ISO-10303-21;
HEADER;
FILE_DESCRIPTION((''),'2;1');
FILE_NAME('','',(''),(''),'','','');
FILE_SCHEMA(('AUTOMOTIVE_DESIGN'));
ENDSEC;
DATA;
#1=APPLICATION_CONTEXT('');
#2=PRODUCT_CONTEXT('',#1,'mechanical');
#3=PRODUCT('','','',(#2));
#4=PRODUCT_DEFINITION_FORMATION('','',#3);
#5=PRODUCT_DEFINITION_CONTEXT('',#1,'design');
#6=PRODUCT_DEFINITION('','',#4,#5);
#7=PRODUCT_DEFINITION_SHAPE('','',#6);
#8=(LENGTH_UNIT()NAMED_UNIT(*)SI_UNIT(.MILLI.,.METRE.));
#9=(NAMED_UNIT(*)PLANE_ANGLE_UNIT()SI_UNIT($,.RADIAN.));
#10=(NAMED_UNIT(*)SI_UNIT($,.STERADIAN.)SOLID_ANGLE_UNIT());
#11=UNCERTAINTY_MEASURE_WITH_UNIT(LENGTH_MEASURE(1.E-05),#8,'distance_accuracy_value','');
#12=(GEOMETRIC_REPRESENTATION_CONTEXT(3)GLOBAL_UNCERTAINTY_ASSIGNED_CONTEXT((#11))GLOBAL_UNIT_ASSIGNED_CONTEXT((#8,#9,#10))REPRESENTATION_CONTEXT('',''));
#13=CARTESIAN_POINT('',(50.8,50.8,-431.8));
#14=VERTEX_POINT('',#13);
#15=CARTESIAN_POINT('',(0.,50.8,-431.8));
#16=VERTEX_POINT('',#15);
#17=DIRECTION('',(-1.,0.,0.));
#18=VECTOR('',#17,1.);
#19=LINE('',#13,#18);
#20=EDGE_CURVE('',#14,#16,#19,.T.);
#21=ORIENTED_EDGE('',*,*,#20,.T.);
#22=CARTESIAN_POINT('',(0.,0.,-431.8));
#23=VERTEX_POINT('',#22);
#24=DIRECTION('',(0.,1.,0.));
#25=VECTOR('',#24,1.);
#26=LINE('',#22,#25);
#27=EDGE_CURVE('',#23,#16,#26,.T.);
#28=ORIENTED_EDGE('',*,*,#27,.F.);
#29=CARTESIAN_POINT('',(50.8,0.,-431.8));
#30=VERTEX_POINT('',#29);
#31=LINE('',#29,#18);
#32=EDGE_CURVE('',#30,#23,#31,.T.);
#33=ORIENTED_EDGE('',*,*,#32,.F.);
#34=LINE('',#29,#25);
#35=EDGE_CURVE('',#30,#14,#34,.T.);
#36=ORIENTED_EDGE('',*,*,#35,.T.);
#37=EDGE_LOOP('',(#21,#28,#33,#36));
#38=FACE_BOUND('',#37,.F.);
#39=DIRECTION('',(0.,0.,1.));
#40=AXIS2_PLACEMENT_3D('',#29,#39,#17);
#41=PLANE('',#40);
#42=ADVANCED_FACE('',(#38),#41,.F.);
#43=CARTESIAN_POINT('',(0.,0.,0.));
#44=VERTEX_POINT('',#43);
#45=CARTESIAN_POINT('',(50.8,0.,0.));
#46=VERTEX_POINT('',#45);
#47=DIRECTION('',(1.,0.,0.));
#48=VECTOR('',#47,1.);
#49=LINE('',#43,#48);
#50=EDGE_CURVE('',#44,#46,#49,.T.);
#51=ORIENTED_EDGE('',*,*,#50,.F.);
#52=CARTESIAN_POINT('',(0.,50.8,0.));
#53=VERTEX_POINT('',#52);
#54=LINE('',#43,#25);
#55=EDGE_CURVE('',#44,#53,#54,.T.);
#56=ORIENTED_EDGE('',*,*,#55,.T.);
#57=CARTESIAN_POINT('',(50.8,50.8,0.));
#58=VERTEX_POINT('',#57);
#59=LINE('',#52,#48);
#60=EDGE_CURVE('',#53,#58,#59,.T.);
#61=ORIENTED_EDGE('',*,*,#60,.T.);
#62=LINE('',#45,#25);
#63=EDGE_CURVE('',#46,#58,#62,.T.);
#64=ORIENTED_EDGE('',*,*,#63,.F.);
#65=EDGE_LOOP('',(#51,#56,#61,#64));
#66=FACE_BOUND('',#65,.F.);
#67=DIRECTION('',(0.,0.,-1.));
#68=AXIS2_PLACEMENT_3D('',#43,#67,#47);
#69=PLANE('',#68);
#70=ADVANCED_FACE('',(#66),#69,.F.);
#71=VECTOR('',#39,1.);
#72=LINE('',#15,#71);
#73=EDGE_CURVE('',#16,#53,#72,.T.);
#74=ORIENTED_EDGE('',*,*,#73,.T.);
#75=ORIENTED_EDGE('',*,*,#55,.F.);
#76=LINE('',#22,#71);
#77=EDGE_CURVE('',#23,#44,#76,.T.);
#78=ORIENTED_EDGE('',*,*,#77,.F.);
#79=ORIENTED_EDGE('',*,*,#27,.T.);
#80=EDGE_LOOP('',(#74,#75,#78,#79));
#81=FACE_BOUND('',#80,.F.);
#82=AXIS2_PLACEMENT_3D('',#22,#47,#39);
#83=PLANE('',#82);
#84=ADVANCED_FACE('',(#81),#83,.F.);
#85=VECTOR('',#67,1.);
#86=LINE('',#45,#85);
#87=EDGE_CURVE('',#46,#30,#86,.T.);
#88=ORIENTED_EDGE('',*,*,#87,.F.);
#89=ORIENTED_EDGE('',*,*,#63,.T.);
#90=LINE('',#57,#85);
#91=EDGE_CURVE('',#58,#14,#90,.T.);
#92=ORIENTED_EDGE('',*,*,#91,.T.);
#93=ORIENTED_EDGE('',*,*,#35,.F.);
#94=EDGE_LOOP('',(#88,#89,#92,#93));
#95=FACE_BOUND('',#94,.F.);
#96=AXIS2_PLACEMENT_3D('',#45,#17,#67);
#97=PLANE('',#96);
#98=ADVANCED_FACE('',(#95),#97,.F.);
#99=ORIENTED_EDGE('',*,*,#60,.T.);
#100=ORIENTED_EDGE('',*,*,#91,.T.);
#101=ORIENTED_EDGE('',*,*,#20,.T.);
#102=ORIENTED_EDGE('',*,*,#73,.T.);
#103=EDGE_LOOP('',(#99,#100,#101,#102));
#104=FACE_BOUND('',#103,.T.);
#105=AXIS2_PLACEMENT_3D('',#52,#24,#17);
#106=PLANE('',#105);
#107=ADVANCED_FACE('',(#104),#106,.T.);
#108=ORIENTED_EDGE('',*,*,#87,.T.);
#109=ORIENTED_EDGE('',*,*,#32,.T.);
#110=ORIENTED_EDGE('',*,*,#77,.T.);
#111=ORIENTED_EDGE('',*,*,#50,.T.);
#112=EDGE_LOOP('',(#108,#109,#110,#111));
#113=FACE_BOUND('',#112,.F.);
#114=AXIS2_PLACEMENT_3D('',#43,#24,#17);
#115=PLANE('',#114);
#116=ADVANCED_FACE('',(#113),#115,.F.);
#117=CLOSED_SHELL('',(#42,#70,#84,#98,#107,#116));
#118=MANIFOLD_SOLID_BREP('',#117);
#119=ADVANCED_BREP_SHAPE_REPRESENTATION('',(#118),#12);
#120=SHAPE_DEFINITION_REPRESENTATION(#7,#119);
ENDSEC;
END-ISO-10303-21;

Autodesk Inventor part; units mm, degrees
ref_plane "YZ Plane" through (0, 0, 0) normal (1, 0, 0) x (0, 1, 0)
ref_plane "XZ Plane" through (0, 0, 0) normal (0, 1, 0) x (-1, 0, 0)
ref_plane "XY Plane" through (0, 0, 0) normal (0, 0, 1) x (1, 0, 0)
sketch "Sketch1" plane through (0, 0, 0) normal (0, 1, 0) x (-1, 0, 0)
  line L0 (0, 0) -> (-50.8, 0)
  line L1 (-50.8, 0) -> (-50.8, -431.8)
  line L2 (-50.8, -431.8) -> (0, -431.8)
  line L3 (0, -431.8) -> (0, 0)
  dimension "d0" = 50.8
  dimension "d1" = 431.8
extrude "Extrusion1" add sketch "Sketch1" along normal blind 50.8
properties part number "rev1 base large wall plank middle"
